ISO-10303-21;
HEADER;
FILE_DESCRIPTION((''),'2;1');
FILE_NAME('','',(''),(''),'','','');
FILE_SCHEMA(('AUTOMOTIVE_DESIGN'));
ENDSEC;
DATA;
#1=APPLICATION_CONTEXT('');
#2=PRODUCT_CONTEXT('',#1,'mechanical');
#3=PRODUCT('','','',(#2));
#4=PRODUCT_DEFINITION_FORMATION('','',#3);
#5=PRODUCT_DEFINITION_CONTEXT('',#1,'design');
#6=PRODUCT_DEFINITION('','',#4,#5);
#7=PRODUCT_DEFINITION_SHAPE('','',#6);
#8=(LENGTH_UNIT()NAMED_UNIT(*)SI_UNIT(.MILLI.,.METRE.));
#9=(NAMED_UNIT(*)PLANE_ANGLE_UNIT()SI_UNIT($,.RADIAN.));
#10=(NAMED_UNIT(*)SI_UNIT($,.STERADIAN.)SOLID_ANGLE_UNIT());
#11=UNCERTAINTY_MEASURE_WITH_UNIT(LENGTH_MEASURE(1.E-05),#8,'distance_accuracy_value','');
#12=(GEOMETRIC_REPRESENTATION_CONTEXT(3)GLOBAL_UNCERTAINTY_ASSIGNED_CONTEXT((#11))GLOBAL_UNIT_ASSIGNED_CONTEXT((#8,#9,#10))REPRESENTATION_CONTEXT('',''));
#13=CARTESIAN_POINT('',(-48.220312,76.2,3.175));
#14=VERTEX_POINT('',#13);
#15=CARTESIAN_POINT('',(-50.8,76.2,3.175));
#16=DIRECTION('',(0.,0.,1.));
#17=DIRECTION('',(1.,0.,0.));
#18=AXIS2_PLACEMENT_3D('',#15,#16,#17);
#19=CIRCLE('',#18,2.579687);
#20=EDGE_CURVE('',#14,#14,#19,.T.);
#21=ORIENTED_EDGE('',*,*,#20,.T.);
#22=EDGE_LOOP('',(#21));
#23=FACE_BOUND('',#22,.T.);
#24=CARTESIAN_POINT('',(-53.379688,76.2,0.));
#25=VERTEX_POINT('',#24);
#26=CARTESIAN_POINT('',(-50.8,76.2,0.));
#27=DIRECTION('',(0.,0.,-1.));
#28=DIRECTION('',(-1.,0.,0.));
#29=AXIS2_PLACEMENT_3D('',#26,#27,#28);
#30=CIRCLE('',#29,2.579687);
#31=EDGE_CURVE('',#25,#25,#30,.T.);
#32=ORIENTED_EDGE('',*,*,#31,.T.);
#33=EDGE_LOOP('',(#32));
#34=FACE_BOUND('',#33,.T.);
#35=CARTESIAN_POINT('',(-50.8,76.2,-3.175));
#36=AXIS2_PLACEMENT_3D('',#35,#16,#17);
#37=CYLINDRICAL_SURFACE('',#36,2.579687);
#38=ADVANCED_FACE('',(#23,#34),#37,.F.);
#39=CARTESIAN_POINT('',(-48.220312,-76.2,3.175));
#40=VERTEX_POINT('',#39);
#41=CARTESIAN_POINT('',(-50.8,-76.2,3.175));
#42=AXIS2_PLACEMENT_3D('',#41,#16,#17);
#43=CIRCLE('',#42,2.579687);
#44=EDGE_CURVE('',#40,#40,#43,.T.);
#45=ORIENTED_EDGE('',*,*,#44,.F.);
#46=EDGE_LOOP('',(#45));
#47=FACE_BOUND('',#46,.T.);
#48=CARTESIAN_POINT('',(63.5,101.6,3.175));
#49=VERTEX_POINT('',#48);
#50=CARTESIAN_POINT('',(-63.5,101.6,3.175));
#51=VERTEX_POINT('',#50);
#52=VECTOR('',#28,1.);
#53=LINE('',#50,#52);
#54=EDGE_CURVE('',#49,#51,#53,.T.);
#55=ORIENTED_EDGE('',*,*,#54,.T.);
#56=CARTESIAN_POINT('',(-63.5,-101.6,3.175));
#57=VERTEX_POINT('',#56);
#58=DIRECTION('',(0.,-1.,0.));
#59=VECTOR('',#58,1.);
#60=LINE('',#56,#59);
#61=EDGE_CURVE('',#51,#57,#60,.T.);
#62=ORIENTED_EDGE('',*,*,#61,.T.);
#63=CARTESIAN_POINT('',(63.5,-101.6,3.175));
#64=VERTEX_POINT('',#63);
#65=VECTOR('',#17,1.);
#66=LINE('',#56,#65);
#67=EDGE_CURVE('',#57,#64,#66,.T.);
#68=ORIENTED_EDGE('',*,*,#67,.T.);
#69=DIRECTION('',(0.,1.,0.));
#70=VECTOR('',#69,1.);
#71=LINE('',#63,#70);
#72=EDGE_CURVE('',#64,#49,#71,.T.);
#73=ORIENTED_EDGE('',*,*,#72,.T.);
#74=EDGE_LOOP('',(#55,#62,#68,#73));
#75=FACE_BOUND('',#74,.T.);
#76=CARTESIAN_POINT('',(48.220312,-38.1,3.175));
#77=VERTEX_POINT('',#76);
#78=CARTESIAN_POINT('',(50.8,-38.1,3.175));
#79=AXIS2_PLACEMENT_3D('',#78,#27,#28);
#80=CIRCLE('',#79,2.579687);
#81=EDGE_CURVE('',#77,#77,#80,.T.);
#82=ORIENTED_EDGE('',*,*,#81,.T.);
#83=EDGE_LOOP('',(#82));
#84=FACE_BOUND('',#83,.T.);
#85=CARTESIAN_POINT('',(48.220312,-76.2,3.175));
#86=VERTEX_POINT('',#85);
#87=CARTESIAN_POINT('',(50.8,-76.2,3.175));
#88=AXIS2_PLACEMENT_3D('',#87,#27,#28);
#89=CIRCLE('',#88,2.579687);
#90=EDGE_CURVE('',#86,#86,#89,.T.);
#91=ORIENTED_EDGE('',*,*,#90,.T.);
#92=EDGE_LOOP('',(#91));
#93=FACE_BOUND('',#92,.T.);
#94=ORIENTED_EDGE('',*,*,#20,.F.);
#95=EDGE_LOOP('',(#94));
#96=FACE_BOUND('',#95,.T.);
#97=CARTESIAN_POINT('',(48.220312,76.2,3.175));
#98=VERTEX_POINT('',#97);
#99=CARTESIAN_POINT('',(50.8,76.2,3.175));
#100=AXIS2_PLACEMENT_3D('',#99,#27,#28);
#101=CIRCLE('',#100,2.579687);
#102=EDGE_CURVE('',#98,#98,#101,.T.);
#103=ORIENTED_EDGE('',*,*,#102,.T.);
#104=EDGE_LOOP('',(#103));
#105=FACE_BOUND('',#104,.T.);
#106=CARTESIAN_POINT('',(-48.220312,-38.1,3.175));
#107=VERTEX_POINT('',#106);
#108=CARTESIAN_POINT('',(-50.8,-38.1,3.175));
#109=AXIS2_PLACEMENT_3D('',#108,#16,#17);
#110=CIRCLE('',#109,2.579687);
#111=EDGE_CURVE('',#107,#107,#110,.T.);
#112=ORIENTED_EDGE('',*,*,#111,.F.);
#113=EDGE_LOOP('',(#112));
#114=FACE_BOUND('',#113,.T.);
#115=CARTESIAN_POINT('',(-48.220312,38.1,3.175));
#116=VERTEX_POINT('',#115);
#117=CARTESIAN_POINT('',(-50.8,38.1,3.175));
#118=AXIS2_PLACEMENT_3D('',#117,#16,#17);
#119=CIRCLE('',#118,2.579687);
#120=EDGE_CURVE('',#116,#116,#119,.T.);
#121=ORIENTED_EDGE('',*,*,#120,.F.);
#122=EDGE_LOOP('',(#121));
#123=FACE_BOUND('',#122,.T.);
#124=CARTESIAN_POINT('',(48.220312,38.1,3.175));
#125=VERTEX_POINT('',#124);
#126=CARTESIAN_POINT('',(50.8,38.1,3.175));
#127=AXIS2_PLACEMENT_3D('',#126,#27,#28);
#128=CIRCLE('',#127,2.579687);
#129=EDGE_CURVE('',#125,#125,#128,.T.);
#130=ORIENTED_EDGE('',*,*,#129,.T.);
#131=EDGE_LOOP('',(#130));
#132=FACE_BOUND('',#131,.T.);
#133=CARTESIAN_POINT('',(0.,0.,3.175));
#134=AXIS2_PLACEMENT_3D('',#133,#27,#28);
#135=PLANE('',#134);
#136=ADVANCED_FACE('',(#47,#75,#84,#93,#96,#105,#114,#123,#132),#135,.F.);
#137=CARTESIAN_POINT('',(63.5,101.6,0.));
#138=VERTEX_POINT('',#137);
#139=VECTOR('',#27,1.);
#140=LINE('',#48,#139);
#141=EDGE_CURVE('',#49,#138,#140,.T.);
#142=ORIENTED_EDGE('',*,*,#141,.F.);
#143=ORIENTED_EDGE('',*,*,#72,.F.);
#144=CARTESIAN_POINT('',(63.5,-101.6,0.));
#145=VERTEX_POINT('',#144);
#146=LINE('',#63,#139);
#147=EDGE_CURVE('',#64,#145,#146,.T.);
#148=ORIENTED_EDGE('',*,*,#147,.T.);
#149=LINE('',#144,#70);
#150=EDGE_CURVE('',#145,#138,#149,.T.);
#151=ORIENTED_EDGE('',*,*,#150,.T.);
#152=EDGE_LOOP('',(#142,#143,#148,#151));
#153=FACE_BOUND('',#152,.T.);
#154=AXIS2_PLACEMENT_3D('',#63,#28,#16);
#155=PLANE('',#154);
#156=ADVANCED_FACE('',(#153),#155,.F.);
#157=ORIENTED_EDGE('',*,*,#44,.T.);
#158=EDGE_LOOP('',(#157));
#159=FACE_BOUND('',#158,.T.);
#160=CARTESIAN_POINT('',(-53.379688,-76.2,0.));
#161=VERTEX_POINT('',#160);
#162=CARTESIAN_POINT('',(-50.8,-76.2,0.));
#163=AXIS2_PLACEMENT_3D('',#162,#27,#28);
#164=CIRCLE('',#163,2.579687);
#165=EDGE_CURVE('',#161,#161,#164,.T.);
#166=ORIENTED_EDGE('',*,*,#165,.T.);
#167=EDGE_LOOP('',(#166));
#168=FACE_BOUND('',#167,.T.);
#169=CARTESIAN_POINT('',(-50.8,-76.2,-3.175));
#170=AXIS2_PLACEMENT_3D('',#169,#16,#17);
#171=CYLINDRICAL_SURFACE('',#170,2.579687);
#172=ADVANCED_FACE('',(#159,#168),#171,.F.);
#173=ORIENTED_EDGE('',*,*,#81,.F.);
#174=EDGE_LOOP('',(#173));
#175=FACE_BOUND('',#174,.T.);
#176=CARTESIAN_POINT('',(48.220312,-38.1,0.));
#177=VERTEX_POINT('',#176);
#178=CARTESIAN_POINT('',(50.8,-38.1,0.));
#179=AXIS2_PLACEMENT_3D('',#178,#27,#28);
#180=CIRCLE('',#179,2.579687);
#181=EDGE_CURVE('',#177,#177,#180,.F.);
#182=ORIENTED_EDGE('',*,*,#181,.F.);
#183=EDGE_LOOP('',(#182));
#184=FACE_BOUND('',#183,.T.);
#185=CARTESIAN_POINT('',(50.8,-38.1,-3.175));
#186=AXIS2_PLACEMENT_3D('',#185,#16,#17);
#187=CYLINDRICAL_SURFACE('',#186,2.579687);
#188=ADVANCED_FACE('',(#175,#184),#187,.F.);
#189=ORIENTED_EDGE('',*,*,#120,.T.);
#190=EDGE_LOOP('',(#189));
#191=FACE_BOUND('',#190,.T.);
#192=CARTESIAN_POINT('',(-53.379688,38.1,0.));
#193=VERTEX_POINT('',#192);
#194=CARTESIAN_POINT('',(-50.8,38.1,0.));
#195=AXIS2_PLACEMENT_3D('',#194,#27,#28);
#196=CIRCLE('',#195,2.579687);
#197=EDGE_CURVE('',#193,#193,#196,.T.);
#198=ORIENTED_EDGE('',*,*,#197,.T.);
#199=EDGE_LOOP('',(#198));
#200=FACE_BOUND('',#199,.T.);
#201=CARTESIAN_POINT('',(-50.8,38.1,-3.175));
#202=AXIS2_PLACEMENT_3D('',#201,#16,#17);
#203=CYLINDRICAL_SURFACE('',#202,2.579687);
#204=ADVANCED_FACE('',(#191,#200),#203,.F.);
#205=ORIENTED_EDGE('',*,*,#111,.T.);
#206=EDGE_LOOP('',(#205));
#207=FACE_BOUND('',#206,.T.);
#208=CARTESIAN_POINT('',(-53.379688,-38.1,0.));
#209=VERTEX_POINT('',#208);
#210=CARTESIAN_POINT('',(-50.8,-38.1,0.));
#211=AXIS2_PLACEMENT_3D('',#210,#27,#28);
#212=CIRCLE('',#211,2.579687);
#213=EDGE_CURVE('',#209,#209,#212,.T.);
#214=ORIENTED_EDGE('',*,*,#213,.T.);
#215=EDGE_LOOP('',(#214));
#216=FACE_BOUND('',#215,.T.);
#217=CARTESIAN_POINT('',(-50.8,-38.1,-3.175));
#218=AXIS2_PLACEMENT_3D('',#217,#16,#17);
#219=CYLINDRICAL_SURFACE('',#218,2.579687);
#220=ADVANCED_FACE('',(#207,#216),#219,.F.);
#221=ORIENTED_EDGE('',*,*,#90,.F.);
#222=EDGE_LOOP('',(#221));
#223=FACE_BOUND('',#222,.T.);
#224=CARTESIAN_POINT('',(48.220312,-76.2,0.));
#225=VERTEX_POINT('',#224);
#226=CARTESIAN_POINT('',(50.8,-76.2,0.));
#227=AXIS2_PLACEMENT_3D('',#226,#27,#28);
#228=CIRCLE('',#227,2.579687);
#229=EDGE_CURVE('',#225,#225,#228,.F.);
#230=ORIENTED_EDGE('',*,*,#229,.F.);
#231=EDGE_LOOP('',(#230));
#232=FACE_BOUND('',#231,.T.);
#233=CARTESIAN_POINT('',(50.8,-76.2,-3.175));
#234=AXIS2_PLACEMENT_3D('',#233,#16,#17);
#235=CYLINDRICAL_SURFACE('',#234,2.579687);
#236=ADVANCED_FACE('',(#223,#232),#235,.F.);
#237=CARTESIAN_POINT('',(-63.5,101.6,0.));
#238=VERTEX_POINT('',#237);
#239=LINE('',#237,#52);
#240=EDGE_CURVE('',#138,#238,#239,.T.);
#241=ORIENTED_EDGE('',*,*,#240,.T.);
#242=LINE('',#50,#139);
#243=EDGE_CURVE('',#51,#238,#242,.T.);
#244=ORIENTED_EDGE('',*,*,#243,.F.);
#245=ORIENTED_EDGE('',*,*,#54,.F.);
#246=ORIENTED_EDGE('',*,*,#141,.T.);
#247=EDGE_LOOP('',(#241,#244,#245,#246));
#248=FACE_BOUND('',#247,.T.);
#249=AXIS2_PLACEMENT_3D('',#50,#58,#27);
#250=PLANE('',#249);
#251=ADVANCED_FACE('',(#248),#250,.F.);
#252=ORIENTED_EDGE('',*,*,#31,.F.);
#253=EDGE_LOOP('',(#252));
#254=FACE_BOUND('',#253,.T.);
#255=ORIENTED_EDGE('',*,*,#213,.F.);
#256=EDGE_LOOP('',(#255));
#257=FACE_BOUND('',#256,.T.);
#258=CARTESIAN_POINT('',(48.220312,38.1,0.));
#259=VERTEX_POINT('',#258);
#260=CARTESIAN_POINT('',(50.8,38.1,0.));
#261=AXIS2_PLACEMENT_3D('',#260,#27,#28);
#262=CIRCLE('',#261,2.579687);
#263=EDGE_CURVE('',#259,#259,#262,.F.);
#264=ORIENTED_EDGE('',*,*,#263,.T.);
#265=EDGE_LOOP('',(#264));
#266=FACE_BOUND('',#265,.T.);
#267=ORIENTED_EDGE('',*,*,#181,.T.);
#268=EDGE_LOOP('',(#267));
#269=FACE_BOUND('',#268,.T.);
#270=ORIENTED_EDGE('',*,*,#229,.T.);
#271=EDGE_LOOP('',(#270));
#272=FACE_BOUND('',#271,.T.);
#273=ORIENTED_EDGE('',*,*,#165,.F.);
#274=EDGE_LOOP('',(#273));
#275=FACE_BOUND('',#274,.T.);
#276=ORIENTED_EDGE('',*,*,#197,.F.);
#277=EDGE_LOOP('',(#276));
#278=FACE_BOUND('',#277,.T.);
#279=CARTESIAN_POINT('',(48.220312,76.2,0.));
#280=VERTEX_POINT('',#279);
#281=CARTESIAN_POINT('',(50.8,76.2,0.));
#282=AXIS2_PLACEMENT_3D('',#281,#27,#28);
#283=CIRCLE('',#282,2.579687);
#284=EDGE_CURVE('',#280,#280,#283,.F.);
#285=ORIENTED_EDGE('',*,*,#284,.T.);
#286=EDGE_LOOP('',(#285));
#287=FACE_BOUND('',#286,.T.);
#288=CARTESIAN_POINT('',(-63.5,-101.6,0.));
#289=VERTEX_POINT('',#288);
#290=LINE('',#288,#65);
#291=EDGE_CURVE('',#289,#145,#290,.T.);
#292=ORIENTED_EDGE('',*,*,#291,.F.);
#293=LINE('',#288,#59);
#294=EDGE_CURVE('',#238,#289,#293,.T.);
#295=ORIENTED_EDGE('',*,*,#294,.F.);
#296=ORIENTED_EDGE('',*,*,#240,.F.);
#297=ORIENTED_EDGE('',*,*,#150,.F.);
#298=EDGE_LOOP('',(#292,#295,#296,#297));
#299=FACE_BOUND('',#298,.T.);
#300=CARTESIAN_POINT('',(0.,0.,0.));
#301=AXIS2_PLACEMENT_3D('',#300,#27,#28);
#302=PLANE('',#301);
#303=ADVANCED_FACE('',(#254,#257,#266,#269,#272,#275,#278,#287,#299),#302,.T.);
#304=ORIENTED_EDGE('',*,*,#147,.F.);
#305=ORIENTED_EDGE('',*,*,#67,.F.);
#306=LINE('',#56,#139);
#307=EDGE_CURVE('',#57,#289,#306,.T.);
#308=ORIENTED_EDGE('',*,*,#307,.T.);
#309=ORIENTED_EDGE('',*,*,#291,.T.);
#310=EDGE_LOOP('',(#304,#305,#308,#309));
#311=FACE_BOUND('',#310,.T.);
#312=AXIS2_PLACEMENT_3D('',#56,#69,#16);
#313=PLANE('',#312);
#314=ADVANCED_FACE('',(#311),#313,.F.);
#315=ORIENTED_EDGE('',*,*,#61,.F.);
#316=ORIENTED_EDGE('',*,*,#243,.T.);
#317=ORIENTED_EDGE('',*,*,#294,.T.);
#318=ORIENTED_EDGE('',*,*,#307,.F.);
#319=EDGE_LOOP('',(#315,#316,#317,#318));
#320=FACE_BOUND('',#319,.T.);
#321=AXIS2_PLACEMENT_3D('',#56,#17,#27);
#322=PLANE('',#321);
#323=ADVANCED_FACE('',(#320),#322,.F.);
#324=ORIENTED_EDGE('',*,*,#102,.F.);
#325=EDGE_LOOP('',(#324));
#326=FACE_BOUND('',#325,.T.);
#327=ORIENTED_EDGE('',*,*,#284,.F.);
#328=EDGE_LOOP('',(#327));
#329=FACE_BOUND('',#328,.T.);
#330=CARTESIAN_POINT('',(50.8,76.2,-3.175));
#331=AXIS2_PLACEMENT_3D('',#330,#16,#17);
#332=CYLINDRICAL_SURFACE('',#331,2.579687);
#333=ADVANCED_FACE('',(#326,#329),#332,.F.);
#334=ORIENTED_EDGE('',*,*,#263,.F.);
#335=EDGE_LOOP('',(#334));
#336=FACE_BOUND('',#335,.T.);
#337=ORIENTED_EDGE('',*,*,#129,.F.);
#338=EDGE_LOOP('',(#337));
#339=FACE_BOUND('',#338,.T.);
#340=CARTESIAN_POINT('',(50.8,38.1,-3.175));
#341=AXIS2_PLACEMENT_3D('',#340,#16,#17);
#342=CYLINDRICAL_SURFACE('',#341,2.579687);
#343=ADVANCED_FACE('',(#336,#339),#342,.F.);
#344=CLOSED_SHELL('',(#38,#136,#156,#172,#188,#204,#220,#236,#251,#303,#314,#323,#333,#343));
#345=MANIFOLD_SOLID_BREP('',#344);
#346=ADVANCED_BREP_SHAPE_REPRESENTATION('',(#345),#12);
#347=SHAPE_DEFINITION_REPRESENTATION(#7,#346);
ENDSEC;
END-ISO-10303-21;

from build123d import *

# Parameters (mm, degrees)
SKETCH1_W           = 127
SKETCH1_H           = 203.2
BOSS_EXTRUDE1_DEPTH = 3.175
SKETCH2_R           = 2.5796875
CUT_EXTRUDE1_DEPTH  = 6.35


with BuildPart() as part:
    # Sketch1 → Boss-Extrude1 (new body)
    with BuildSketch(Plane.XY):
        Rectangle(SKETCH1_W, SKETCH1_H)
    extrude(amount=BOSS_EXTRUDE1_DEPTH)

    # Sketch2 → Cut-Extrude1 (cut)
    with BuildSketch(Plane.XY.offset(3.175)):
        with Locations((-50.8, 76.2)):
            Circle(SKETCH2_R)
        with Locations((-50.8, 38.1)):
            Circle(SKETCH2_R)
        with Locations((-50.8, -38.1)):
            Circle(SKETCH2_R)
        with Locations((-50.8, -76.2)):
            Circle(SKETCH2_R)
    cut_extrude1 = extrude(amount=-CUT_EXTRUDE1_DEPTH, mode=Mode.SUBTRACT)

    # Mirror1: Cut-Extrude1 across plane
    add(cut_extrude1.mirror(Plane(origin=(0, 0, 0), x_dir=(0, 0, 1), z_dir=(1, 0, 0))), mode=Mode.SUBTRACT)


solid = part.part
